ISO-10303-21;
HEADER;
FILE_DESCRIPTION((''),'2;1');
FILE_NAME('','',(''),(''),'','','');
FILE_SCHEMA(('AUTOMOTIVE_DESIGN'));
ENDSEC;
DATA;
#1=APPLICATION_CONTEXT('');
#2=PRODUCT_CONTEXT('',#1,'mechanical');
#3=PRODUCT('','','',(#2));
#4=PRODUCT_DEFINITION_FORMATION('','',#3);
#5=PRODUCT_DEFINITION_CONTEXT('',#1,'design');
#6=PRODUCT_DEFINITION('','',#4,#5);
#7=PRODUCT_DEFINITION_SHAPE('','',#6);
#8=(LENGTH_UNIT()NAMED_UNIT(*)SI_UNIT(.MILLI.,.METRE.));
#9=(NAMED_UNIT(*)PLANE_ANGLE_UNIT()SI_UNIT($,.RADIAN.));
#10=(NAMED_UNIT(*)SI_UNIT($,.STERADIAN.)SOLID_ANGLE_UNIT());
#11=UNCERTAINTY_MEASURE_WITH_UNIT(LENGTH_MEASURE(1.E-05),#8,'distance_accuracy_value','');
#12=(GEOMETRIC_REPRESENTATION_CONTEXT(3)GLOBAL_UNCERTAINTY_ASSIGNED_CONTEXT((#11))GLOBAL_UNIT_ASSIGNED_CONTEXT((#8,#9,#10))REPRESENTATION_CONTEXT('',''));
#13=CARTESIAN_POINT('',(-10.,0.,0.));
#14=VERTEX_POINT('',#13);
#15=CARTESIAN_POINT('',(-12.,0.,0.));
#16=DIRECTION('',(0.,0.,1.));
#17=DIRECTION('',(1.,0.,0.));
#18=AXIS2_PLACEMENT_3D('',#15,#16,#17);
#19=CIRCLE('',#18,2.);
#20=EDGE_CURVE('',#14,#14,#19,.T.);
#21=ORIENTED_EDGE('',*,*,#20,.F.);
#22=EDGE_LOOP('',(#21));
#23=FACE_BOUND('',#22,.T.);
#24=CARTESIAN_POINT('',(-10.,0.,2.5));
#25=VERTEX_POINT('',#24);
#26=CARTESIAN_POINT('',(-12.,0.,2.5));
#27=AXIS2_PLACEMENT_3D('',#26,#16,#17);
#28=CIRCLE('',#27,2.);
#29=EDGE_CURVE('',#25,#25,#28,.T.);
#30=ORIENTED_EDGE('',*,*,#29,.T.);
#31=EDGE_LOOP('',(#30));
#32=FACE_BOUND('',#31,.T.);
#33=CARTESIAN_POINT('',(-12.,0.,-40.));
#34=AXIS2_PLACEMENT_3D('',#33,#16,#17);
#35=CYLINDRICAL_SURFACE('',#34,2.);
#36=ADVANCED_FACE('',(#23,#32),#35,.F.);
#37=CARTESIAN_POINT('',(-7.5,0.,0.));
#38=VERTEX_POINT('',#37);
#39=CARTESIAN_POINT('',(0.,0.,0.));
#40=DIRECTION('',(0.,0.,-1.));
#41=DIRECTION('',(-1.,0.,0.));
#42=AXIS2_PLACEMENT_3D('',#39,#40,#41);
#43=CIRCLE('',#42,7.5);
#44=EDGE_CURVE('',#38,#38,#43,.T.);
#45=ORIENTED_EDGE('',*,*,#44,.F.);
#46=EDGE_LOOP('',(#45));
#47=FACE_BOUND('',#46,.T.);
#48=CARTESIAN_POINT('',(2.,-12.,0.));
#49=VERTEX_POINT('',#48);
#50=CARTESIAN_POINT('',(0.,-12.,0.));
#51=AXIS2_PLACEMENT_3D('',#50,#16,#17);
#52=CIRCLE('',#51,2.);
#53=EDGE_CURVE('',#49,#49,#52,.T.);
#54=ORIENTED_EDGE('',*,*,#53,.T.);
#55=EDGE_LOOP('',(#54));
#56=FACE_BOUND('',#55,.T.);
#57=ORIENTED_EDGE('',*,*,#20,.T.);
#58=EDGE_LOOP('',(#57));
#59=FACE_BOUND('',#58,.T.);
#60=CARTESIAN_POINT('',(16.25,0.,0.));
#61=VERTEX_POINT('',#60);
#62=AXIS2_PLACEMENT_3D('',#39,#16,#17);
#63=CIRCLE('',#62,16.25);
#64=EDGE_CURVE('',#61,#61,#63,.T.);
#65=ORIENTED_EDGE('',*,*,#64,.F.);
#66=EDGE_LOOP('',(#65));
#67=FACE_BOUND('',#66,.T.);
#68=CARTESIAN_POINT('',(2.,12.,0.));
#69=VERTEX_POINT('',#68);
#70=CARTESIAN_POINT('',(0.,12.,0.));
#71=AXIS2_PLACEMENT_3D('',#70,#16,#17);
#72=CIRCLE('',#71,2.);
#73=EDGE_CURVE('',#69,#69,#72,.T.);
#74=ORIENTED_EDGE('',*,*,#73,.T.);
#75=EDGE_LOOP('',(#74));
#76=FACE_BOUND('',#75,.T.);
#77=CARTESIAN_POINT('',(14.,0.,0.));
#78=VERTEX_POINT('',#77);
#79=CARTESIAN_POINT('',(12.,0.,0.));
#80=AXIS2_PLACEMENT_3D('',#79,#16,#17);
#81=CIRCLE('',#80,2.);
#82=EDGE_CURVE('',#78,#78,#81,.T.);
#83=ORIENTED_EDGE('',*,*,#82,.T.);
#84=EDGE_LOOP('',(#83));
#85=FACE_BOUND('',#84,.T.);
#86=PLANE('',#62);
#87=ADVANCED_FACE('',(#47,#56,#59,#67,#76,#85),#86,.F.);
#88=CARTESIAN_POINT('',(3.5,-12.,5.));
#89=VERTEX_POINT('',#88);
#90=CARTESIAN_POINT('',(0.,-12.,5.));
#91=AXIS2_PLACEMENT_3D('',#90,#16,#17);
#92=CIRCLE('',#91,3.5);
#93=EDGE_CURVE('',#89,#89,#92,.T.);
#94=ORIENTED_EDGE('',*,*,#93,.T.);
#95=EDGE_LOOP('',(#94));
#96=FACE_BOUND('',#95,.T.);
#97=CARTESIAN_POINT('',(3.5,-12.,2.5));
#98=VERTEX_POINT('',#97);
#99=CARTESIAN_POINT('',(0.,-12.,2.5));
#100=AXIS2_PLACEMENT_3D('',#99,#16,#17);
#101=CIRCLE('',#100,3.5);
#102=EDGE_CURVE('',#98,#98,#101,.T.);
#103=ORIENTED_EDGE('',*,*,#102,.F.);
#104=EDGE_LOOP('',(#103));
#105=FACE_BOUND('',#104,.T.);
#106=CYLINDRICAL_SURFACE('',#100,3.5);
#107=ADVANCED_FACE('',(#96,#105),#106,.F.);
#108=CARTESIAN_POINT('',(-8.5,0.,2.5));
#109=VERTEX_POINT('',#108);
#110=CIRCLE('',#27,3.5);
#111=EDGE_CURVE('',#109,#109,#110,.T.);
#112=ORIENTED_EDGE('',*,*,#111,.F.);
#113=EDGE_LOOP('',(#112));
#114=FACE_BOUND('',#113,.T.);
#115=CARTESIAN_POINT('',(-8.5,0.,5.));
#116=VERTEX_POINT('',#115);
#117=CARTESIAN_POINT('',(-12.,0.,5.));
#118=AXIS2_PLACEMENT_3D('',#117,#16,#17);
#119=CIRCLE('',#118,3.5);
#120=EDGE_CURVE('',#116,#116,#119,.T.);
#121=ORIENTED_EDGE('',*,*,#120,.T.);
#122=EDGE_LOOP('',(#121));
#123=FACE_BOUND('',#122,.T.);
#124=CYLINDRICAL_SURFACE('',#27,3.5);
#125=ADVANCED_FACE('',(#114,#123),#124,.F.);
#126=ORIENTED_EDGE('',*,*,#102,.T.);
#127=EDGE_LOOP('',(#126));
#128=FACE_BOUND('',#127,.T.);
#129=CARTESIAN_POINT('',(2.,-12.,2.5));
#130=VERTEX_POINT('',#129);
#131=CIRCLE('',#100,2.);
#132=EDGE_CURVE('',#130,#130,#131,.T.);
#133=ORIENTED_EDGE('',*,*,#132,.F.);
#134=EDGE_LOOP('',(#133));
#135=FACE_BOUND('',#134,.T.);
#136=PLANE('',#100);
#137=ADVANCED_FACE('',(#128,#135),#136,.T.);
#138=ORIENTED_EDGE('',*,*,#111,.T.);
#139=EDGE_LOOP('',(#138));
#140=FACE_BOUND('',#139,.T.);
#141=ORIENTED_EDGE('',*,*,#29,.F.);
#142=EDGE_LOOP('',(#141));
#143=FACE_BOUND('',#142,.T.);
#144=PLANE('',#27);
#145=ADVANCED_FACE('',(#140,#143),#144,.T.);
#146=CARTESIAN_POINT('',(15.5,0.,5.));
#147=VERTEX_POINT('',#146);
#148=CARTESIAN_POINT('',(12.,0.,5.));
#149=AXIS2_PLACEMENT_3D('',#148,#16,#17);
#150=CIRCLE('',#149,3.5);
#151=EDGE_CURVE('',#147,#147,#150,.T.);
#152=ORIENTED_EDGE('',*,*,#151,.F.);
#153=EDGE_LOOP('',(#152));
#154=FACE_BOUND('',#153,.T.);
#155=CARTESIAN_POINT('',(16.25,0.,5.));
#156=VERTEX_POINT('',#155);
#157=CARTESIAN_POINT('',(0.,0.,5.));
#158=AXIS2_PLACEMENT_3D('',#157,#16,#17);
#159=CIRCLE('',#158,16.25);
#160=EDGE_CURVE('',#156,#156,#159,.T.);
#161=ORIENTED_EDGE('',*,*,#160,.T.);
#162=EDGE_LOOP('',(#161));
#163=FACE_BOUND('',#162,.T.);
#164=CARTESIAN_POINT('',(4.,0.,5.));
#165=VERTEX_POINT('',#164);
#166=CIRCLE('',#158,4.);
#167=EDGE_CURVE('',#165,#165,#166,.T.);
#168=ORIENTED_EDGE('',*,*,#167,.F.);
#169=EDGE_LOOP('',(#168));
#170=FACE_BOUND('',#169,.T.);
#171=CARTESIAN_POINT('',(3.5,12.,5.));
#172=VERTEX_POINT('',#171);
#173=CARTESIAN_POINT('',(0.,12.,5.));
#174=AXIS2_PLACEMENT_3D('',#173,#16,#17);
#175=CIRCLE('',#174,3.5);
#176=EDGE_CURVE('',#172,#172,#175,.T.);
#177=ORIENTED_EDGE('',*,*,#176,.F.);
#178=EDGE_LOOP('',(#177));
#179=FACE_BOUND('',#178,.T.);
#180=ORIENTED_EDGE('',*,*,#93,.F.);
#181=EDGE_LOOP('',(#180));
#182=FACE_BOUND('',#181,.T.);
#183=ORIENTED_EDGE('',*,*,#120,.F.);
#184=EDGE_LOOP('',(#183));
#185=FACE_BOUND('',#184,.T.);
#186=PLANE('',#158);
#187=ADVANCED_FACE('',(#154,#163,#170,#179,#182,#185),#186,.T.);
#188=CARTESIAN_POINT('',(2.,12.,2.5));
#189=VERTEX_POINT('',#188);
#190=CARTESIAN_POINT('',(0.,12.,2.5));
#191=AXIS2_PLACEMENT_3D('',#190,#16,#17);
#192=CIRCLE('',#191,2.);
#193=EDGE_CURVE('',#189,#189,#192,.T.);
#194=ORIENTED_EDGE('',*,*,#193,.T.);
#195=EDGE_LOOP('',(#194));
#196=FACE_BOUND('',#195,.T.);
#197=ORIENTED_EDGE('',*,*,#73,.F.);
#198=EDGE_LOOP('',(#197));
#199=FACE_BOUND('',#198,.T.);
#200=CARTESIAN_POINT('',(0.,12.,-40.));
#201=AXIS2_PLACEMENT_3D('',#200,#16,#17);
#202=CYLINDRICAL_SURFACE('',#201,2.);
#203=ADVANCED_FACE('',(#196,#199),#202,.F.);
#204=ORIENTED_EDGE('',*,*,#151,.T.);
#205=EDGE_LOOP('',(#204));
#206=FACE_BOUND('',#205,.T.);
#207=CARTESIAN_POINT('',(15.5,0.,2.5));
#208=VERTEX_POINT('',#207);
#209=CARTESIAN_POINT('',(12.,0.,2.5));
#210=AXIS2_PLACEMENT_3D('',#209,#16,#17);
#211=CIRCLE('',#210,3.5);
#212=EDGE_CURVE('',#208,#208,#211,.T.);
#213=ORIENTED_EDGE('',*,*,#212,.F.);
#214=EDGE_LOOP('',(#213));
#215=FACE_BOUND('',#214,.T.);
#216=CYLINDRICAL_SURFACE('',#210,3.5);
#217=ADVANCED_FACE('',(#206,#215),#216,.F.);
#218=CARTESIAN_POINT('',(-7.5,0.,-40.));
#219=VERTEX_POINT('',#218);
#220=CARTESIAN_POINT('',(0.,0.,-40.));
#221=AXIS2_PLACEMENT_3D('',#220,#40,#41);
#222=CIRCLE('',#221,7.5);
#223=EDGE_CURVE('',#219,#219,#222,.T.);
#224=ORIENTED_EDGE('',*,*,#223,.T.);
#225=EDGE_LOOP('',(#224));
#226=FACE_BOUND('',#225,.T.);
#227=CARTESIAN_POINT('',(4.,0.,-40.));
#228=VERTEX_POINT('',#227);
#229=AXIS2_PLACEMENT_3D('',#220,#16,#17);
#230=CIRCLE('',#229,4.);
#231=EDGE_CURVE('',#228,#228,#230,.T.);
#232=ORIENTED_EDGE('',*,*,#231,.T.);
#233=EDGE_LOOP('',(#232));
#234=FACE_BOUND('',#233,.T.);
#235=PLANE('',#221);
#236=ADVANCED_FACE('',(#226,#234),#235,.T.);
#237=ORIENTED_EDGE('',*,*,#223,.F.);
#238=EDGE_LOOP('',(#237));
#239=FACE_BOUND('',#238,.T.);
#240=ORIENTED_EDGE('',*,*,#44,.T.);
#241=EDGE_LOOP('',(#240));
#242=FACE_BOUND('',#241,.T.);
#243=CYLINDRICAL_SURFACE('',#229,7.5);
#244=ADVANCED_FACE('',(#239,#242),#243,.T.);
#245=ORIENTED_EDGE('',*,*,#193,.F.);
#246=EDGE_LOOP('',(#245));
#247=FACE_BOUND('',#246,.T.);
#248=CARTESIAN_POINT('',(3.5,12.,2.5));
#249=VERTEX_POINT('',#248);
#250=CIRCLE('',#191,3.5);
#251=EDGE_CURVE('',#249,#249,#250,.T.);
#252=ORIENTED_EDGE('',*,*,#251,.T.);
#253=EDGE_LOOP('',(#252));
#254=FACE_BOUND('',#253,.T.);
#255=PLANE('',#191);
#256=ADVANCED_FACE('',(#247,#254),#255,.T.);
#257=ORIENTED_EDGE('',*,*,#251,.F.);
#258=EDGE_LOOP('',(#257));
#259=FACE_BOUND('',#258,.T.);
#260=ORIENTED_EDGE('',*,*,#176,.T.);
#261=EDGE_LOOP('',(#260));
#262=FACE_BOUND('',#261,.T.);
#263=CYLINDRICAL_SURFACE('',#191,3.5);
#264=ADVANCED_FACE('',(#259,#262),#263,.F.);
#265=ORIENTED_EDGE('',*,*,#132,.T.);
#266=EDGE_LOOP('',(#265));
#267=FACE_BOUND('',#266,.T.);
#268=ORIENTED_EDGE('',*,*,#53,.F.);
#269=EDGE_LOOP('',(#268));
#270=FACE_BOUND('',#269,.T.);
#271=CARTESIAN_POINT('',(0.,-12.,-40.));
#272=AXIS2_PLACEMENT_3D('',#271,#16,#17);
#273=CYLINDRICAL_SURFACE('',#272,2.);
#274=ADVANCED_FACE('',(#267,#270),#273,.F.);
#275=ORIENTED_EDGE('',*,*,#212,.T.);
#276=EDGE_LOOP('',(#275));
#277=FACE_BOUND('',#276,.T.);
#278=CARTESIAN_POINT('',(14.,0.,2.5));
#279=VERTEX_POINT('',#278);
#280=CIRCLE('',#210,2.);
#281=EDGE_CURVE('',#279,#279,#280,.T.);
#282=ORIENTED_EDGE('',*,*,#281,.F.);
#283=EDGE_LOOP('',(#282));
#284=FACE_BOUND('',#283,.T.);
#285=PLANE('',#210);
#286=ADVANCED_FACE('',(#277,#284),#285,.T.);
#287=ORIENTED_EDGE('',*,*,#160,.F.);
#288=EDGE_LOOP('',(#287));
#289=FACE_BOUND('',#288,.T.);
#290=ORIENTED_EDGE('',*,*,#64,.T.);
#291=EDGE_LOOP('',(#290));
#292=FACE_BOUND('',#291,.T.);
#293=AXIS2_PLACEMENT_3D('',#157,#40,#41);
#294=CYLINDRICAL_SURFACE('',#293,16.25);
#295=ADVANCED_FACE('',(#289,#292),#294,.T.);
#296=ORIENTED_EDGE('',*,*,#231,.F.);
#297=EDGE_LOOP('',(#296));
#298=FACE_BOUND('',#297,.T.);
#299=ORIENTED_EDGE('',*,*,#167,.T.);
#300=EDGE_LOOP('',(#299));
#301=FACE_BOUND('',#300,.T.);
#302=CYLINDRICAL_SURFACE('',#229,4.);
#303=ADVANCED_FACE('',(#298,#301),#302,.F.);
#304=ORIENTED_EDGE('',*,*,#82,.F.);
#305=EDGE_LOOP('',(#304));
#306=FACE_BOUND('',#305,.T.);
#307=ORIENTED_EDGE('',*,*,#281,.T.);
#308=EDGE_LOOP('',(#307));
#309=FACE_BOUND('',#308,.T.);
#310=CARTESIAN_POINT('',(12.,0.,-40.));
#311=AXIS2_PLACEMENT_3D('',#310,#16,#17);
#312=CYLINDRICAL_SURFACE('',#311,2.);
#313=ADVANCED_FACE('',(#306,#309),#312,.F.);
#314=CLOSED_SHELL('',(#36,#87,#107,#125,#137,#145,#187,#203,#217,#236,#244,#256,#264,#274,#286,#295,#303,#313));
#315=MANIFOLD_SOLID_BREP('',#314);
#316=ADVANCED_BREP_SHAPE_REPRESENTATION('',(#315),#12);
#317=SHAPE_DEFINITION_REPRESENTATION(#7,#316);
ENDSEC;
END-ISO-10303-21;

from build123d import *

# Parameters (mm, degrees)
SKETCH1_R           = 16.25
BOSS_EXTRUDE1_DEPTH = 5
SKETCH2_R           = 3.5
CUT_EXTRUDE1_DEPTH  = 2.5
SKETCH3_R           = 7.5
BOSS_EXTRUDE2_DEPTH = 40
SKETCH4_R           = 4
CUT_EXTRUDE2_DEPTH  = 46
SKETCH5_R           = 2
CUT_EXTRUDE3_DEPTH  = 43.5


with BuildPart() as part:
    # Sketch1 → Boss-Extrude1 (new body)
    with BuildSketch(Plane.XY):
        Circle(SKETCH1_R)
    extrude(amount=BOSS_EXTRUDE1_DEPTH)

    # Sketch2 → Cut-Extrude1 (cut)
    with BuildSketch(Plane.XY.offset(5)):
        with Locations((0, 12)):
            Circle(SKETCH2_R)
        with Locations((12, 0)):
            Circle(SKETCH2_R)
        with Locations((0, -12)):
            Circle(SKETCH2_R)
        with Locations((-12, 0)):
            Circle(SKETCH2_R)
    extrude(amount=-CUT_EXTRUDE1_DEPTH, mode=Mode.SUBTRACT)

    # Sketch3 → Boss-Extrude2 (add)
    with BuildSketch(Plane(origin=(0, 0, 0), x_dir=(-1, 0, 0), z_dir=(0, 0, -1))):
        Circle(SKETCH3_R)
    extrude(amount=BOSS_EXTRUDE2_DEPTH)

    # Sketch4 → Cut-Extrude2 (cut, through all)
    with BuildSketch(Plane.XY.offset(5)):
        Circle(SKETCH4_R)
    extrude(amount=-CUT_EXTRUDE2_DEPTH, mode=Mode.SUBTRACT)

    # Sketch5 → Cut-Extrude3 (cut, through all)
    with BuildSketch(Plane.XY.offset(2.5)):
        with Locations((12, 0)):
            Circle(SKETCH5_R)
        with Locations((0, -12)):
            Circle(SKETCH5_R)
        with Locations((-12, 0)):
            Circle(SKETCH5_R)
        with Locations((0, 12)):
            Circle(SKETCH5_R)
    extrude(amount=-CUT_EXTRUDE3_DEPTH, mode=Mode.SUBTRACT)


solid = part.part
